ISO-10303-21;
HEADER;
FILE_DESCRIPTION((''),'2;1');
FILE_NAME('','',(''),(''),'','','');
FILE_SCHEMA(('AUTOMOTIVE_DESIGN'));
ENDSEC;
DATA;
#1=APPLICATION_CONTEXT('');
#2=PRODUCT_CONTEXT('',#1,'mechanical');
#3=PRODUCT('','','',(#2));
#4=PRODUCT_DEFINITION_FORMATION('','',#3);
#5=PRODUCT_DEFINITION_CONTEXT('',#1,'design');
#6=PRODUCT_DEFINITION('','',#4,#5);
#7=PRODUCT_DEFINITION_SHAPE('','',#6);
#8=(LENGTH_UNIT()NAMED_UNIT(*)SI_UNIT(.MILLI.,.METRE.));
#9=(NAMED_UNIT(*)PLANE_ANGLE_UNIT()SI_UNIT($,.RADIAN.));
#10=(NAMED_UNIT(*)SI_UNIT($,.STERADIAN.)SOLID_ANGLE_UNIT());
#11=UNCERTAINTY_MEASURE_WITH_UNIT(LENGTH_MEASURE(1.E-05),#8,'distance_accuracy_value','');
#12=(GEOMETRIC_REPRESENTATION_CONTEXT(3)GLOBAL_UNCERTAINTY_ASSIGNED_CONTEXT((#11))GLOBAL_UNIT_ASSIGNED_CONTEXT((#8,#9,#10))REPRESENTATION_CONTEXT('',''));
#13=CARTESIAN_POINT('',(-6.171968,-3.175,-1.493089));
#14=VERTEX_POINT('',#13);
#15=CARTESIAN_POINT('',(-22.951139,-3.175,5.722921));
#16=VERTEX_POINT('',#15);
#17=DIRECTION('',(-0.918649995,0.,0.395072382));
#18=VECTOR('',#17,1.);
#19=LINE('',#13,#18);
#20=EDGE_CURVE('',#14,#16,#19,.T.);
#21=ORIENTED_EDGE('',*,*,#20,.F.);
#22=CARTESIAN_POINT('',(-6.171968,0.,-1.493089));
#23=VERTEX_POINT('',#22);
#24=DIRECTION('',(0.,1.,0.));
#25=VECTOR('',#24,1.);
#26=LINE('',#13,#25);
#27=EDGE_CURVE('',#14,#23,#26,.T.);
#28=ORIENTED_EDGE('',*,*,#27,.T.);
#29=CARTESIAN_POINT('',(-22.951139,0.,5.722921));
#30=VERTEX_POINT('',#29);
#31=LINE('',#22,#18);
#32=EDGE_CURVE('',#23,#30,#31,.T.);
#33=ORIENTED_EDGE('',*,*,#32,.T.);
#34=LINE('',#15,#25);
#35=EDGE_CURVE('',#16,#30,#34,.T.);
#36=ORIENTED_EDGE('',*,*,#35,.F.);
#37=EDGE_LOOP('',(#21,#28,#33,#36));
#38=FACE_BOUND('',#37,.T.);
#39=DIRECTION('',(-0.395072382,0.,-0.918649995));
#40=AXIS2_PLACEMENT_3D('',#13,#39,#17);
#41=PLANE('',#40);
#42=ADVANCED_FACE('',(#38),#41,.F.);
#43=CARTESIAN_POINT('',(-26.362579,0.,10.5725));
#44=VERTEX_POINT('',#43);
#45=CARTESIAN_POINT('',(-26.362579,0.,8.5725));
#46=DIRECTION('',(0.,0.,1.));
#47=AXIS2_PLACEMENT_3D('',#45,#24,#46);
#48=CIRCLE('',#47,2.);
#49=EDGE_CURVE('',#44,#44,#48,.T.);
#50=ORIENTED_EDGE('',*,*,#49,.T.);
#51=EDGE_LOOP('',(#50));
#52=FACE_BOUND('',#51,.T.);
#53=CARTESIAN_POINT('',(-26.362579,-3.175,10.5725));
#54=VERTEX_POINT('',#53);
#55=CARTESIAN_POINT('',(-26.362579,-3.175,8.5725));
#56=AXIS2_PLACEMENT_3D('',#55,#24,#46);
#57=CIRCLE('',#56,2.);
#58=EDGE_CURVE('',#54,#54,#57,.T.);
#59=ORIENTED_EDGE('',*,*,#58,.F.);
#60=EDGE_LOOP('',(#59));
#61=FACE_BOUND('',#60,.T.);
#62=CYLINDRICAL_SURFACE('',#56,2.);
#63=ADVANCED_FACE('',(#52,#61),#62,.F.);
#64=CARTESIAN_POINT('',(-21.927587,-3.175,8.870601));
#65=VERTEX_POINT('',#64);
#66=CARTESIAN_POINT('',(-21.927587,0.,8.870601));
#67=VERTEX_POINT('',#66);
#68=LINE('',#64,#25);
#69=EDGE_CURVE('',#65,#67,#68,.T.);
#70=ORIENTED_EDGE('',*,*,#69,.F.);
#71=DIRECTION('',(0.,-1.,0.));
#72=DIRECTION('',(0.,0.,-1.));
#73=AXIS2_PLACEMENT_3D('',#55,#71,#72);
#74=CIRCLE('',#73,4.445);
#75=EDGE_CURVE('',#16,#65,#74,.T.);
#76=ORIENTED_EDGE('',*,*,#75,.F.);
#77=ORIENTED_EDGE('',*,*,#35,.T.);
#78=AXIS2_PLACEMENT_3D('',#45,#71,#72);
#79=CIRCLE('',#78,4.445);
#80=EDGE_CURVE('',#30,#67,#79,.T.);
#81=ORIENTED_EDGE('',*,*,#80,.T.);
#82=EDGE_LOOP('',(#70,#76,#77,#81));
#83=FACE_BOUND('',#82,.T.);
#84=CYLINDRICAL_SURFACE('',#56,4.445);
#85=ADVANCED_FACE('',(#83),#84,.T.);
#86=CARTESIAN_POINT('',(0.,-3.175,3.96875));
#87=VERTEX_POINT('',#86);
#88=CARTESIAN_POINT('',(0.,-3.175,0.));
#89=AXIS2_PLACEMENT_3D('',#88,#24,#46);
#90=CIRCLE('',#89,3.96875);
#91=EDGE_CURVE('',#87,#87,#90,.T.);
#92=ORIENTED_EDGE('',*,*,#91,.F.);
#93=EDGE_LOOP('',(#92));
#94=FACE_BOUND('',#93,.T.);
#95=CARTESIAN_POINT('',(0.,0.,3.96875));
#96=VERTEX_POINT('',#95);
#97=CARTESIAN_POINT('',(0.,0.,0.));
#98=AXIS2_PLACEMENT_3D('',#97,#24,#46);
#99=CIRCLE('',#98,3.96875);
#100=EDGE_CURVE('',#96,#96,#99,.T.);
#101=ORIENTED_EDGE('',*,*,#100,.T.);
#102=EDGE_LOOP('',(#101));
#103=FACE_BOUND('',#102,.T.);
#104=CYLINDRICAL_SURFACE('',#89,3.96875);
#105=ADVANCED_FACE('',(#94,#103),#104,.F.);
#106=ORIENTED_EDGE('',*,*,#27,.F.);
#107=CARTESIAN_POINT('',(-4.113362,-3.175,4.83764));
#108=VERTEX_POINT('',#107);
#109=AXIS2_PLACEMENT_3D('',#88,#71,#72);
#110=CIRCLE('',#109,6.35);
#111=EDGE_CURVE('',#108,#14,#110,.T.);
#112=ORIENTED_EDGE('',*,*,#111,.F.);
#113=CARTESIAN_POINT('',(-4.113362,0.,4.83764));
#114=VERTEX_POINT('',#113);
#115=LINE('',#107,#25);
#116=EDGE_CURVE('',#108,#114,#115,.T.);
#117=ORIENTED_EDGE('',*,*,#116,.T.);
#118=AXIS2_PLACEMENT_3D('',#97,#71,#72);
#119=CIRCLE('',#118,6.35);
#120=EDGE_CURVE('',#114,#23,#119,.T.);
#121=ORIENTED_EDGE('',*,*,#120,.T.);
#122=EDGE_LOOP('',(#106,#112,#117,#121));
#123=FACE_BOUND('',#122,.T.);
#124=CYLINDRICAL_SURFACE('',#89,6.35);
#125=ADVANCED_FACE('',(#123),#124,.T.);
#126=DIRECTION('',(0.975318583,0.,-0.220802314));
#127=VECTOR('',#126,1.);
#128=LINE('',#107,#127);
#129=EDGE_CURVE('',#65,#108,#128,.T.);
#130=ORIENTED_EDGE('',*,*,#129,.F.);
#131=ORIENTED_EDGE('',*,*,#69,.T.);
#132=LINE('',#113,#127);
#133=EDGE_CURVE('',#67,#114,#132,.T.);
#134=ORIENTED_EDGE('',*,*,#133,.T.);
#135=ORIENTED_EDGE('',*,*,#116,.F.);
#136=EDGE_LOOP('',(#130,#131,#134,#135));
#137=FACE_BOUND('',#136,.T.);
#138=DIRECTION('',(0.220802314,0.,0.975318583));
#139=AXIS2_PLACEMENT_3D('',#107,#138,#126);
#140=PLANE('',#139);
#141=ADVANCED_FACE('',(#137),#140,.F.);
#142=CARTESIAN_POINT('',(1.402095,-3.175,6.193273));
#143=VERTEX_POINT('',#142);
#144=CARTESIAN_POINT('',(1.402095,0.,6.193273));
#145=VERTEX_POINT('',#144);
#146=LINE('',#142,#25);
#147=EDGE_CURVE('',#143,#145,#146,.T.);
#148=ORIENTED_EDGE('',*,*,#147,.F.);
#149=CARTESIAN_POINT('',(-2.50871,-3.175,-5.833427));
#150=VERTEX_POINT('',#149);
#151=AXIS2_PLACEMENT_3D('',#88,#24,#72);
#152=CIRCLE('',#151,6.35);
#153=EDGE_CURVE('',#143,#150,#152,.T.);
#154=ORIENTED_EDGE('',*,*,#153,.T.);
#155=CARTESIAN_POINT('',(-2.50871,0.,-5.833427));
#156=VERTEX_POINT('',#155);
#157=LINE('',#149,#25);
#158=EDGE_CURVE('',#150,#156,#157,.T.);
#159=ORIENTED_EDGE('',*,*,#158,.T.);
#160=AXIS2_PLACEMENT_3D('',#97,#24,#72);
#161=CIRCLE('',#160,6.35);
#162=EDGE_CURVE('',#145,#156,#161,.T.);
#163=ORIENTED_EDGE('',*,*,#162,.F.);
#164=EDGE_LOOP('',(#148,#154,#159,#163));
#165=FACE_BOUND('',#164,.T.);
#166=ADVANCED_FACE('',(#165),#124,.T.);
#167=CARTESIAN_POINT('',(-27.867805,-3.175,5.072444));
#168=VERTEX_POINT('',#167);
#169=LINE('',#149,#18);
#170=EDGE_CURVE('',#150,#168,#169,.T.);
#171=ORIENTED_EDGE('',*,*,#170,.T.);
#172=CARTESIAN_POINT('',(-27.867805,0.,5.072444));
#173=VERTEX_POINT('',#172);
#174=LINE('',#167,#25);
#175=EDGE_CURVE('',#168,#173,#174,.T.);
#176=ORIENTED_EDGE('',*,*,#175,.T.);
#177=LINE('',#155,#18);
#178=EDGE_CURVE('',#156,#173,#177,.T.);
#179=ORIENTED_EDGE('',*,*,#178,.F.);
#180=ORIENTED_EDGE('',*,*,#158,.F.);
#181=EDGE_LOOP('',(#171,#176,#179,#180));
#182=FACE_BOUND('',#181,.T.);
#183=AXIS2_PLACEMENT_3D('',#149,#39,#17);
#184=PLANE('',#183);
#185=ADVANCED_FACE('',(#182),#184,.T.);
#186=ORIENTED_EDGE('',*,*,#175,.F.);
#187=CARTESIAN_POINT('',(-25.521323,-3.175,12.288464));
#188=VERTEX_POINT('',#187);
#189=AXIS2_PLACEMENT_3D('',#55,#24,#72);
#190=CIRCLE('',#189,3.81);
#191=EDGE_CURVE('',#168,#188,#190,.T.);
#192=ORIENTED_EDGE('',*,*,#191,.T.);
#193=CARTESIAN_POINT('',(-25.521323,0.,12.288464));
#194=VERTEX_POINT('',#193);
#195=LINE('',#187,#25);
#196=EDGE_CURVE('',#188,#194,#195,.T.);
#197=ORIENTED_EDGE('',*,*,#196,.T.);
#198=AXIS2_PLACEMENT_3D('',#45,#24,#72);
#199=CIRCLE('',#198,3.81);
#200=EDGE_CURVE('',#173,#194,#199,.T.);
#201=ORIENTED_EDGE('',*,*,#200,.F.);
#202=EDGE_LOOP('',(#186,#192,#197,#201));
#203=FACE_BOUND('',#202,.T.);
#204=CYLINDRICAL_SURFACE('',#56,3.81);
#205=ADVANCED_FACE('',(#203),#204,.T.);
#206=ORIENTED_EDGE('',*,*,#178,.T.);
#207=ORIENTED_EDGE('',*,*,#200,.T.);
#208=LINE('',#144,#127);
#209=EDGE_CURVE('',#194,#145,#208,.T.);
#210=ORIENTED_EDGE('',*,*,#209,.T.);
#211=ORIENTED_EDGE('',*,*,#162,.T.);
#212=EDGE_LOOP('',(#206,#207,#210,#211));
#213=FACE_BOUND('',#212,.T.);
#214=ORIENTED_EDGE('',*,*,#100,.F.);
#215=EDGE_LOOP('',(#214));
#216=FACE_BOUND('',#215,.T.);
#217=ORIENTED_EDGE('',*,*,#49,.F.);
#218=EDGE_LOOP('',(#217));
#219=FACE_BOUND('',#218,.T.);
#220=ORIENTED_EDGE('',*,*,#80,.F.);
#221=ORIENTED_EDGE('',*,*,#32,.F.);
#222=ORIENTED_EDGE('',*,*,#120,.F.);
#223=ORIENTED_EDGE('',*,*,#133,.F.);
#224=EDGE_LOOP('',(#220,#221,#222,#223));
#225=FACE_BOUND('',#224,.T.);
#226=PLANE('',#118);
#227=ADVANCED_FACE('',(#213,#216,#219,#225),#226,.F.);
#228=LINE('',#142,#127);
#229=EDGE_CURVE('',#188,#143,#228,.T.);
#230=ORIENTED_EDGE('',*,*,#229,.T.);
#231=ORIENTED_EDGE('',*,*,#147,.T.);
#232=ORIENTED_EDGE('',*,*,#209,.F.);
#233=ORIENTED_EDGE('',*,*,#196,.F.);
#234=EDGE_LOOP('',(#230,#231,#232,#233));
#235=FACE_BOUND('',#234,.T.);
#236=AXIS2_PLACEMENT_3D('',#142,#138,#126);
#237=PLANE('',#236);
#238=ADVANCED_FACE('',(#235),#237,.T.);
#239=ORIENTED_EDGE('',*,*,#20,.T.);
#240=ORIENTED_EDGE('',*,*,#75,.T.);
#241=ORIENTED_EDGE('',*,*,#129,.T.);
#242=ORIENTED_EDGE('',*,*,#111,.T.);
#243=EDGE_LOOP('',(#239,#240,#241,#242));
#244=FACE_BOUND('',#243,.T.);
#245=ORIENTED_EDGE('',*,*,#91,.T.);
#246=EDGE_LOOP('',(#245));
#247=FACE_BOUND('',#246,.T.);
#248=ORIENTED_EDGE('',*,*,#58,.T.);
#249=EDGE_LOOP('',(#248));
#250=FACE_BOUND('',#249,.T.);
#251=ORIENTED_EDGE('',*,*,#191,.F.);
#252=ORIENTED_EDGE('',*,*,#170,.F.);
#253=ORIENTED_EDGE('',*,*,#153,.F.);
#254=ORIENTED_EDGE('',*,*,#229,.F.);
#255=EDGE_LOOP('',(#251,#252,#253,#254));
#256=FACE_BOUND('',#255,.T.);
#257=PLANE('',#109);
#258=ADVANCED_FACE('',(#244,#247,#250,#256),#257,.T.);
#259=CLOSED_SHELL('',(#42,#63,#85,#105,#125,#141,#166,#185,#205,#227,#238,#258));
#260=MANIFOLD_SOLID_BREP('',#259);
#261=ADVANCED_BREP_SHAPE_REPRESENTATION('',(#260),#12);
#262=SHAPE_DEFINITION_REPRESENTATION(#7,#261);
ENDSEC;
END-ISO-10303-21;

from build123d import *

# Parameters (mm, degrees)
SKETCH1_R           = 3.96875
SKETCH1_R_2         = 2
BOSS_EXTRUDE1_DEPTH = 3.175


with BuildPart() as part:
    # Sketch1 → Boss-Extrude1 (new body)
    with BuildSketch(Plane(origin=(0, 0, 0), x_dir=(1, 0, 0), z_dir=(0, 1, 0))):
        with BuildLine():
            Line((1.402094694, -6.193273001), (-25.521322666, -12.288463801))
            ThreePointArc((-25.521322666, -12.288463801), (-29.985830904, -9.750697408), (-27.867805259, -5.07244352))
            Line((-27.867805259, -5.07244352), (-2.508709628, 5.833427466))
            ThreePointArc((-2.508709628, 5.833427466), (6.03875237, 1.963662347), (1.402094694, -6.193273001))
        make_face()
        with Locations(Location((0, 0, 0), (0, 0, 270))):
            Circle(SKETCH1_R, mode=Mode.SUBTRACT)
        with Locations(Location((-26.362579482, -8.5725, 0), (0, 0, 270))):
            Circle(SKETCH1_R_2, mode=Mode.SUBTRACT)
        with BuildLine():
            Line((-4.113361585, -4.837639556), (-21.927586713, -8.870600886))
            ThreePointArc((-21.927586713, -8.870600886), (-22.135452823, -7.197936357), (-22.951139301, -5.722920928))
            Line((-22.951139301, -5.722920928), (-6.17196775, 1.493088778))
            ThreePointArc((-6.17196775, 1.493088778), (-6.03875237, -1.963662347), (-4.113361585, -4.837639556))
        make_face(mode=Mode.SUBTRACT)
    extrude(amount=-BOSS_EXTRUDE1_DEPTH)


solid = part.part
